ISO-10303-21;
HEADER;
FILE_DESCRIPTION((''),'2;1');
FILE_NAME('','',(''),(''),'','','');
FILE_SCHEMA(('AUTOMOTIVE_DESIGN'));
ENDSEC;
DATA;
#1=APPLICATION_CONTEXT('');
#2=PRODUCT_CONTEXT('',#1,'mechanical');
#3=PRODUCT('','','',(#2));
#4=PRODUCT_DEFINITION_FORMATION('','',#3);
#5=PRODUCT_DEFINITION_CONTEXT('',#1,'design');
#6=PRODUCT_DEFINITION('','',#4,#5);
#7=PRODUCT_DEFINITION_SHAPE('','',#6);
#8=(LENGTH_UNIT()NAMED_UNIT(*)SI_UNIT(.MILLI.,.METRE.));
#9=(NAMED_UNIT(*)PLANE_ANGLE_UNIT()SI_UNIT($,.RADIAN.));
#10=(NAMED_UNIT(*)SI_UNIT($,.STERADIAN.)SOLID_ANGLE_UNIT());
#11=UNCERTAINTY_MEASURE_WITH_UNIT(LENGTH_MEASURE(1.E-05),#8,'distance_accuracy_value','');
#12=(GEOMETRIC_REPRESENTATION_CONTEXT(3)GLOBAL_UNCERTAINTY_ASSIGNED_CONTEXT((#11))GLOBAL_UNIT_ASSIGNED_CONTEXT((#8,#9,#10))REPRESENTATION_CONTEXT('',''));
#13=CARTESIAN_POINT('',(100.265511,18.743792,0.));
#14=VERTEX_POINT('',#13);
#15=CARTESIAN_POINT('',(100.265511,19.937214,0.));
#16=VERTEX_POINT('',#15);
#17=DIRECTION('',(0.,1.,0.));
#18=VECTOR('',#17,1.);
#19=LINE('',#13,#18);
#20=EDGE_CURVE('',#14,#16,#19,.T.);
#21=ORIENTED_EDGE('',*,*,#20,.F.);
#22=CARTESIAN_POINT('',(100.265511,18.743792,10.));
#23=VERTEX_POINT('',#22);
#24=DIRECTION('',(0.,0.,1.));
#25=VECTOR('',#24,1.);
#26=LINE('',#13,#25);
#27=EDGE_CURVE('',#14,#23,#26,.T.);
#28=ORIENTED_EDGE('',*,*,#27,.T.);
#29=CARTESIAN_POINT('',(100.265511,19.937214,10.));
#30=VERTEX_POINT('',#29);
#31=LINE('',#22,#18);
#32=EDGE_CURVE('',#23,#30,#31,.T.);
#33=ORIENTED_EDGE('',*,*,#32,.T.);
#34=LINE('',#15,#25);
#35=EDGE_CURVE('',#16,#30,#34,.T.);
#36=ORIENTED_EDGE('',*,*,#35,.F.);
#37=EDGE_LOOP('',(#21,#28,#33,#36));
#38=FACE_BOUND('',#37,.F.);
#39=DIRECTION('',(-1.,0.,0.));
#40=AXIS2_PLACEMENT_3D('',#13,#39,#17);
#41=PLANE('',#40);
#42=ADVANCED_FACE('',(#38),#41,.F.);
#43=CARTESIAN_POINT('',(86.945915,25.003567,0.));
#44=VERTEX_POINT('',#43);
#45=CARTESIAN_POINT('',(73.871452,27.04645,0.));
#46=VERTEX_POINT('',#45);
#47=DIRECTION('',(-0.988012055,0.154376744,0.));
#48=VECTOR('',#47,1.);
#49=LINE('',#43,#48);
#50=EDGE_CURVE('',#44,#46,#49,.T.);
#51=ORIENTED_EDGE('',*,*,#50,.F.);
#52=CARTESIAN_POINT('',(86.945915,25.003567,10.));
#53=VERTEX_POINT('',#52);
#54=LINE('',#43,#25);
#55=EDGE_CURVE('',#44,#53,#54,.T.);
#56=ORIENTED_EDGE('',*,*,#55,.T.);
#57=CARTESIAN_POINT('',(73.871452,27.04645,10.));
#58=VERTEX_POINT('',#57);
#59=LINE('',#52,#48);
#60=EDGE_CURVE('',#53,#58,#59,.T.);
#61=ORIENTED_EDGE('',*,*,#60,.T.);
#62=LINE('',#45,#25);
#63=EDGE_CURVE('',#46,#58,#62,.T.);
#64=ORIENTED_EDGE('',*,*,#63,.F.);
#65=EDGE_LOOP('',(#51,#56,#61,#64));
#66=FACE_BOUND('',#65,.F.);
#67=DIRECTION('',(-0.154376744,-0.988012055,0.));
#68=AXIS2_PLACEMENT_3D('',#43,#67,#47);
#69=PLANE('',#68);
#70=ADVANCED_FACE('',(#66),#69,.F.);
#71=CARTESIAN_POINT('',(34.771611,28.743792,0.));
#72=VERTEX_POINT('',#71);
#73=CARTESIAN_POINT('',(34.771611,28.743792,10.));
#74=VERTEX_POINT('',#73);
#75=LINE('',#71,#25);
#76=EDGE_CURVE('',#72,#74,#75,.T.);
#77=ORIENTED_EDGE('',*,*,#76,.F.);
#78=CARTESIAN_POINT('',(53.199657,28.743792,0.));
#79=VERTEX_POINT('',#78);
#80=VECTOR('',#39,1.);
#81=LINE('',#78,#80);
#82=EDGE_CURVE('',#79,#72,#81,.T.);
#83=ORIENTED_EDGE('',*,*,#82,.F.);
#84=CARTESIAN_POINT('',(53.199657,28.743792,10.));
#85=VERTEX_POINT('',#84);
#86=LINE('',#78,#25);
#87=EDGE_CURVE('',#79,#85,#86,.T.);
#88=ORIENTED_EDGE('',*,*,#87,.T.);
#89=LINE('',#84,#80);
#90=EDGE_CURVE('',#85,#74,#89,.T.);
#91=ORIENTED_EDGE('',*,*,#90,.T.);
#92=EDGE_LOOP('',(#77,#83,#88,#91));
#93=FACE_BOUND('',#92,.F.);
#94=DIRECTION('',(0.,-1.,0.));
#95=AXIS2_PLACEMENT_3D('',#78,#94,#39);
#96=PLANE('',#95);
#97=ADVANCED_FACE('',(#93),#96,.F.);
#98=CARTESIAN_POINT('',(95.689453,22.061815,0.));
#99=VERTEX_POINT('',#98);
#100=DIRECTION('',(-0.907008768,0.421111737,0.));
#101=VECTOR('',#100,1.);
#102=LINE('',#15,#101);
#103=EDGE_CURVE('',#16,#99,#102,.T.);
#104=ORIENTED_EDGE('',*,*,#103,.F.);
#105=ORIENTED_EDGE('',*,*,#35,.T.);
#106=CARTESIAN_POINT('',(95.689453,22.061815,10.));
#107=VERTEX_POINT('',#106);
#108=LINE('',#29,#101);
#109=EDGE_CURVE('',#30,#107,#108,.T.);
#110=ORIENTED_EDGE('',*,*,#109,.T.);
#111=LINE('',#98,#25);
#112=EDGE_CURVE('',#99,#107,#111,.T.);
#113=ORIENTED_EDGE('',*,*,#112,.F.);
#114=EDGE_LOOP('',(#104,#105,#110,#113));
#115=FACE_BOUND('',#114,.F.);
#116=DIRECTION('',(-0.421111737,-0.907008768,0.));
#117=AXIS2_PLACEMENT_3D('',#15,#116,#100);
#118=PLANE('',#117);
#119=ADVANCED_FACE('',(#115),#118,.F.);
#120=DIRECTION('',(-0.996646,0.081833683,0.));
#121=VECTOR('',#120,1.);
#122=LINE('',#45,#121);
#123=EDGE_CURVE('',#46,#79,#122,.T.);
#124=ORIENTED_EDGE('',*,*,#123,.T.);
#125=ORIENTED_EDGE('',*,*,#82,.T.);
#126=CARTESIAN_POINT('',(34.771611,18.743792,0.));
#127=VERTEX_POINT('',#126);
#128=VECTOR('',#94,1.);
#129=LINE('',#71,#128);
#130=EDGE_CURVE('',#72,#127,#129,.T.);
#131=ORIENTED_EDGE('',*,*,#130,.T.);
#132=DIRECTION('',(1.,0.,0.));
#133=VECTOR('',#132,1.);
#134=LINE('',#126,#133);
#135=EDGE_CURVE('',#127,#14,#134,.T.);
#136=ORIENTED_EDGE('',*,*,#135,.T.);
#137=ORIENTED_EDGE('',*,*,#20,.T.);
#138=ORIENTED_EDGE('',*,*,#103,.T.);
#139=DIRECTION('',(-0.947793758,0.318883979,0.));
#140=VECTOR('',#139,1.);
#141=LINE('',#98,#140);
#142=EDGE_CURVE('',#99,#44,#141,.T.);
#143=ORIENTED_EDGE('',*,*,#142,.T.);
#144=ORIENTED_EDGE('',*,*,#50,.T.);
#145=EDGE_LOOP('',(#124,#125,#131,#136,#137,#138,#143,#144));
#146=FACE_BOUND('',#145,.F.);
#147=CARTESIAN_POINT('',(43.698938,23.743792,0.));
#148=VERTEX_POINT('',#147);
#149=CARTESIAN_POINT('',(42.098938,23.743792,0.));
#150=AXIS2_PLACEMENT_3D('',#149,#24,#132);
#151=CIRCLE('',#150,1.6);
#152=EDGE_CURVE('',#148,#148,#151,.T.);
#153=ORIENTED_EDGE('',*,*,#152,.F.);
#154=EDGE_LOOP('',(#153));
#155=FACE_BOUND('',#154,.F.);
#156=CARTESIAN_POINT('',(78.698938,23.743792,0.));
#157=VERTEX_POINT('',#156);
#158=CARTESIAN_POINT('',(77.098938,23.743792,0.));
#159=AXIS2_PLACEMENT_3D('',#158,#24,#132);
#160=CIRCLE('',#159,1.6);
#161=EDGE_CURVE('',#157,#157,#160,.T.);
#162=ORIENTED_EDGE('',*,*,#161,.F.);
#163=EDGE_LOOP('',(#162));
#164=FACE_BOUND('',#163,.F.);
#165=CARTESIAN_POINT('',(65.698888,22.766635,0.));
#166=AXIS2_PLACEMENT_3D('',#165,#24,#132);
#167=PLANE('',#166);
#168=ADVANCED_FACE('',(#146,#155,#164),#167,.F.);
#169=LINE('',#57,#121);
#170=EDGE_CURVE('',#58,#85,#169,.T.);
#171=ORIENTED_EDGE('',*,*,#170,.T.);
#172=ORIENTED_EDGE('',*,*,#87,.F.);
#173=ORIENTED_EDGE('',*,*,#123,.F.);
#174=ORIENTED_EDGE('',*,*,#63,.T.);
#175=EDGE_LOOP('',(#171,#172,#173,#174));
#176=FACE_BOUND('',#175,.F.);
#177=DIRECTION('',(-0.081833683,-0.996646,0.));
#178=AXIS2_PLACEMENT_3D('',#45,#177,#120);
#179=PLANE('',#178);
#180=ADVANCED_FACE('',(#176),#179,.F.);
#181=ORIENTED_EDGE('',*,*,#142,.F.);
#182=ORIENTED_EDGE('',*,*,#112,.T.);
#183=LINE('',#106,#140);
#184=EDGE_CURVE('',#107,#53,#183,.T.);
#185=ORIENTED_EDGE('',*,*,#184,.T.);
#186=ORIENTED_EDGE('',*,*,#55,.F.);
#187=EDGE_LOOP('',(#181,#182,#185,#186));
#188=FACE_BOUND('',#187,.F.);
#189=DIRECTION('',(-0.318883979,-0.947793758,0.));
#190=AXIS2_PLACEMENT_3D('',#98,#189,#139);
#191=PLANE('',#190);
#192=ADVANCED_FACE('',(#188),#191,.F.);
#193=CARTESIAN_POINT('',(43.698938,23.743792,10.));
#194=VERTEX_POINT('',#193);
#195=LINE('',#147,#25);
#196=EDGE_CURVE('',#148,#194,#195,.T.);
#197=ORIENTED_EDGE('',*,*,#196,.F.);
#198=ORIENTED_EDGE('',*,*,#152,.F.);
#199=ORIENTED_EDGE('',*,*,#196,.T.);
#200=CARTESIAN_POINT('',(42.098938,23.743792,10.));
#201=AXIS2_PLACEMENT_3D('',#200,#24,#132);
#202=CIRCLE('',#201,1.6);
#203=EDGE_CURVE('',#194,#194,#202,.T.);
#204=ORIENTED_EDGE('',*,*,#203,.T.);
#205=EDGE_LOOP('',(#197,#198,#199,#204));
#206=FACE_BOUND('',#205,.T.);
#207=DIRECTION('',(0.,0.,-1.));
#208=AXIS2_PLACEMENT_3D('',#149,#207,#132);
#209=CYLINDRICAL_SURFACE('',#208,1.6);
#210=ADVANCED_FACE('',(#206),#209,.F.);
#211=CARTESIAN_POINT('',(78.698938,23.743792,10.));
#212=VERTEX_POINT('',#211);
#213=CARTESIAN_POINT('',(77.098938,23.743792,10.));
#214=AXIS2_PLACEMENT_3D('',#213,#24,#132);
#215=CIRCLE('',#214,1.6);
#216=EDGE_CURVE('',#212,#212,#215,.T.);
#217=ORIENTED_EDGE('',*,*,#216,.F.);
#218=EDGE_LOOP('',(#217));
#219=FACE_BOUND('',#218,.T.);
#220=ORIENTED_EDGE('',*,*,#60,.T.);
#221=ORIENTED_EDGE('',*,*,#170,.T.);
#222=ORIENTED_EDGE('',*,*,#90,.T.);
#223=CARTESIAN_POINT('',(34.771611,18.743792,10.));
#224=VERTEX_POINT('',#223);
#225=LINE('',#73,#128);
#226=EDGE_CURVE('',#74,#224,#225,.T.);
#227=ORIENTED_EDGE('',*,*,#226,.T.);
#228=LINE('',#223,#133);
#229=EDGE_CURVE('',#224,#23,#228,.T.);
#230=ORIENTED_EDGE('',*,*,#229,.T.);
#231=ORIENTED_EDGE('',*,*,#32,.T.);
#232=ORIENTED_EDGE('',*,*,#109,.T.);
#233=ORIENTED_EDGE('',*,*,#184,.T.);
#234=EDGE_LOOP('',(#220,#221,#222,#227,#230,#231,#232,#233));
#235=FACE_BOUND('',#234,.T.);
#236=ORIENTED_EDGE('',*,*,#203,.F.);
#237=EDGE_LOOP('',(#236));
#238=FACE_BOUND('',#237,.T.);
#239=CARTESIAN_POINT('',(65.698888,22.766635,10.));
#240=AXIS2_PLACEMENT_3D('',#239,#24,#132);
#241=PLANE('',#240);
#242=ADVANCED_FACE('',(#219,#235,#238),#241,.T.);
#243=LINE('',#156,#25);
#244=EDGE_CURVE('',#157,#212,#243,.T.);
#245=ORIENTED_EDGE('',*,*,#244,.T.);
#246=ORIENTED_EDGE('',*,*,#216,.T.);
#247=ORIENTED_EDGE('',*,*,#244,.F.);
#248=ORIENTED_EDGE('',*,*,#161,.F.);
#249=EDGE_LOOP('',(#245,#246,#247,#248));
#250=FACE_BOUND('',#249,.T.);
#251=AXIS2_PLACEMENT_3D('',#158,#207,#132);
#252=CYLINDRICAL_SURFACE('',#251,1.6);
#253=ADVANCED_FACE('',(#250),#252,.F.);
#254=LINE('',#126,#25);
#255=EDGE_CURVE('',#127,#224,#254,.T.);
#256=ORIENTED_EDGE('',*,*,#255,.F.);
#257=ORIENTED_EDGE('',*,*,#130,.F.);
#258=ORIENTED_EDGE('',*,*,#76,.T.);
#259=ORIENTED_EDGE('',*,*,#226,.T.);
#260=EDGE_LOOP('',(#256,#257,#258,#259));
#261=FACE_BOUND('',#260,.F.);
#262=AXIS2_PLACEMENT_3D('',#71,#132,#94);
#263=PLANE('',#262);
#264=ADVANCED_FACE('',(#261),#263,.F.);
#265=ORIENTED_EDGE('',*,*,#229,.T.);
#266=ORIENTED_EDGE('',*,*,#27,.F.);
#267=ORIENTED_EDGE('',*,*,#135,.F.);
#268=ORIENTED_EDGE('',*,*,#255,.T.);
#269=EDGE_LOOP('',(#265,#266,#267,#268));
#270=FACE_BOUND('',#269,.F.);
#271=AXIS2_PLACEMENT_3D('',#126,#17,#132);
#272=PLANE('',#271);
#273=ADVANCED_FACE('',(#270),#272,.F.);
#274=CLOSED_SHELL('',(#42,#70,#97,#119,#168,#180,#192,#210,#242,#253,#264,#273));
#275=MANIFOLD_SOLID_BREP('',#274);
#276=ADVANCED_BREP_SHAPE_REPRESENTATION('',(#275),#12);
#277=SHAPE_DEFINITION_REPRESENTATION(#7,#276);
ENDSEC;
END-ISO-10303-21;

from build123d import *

# Parameters (mm, degrees)
SKETCH_R      = 1.6
EXTRUDE_DEPTH = 10


with BuildPart() as part:
    # Sketch → Extrude (new body)
    with BuildSketch(Plane.XY):
        Polygon((34.771611, 28.743792), (34.771611, 18.743792), (100.265511, 18.743792), (100.265511, 19.937214), (95.689453, 22.061815), (86.945915, 25.003567), (73.871452, 27.04645), (53.199657, 28.743792), align=None)
        with Locations((42.098938, 23.743792)):
            Circle(SKETCH_R, mode=Mode.SUBTRACT)
        with Locations((77.098938, 23.743792)):
            Circle(SKETCH_R, mode=Mode.SUBTRACT)
    extrude(amount=EXTRUDE_DEPTH)


solid = part.part
